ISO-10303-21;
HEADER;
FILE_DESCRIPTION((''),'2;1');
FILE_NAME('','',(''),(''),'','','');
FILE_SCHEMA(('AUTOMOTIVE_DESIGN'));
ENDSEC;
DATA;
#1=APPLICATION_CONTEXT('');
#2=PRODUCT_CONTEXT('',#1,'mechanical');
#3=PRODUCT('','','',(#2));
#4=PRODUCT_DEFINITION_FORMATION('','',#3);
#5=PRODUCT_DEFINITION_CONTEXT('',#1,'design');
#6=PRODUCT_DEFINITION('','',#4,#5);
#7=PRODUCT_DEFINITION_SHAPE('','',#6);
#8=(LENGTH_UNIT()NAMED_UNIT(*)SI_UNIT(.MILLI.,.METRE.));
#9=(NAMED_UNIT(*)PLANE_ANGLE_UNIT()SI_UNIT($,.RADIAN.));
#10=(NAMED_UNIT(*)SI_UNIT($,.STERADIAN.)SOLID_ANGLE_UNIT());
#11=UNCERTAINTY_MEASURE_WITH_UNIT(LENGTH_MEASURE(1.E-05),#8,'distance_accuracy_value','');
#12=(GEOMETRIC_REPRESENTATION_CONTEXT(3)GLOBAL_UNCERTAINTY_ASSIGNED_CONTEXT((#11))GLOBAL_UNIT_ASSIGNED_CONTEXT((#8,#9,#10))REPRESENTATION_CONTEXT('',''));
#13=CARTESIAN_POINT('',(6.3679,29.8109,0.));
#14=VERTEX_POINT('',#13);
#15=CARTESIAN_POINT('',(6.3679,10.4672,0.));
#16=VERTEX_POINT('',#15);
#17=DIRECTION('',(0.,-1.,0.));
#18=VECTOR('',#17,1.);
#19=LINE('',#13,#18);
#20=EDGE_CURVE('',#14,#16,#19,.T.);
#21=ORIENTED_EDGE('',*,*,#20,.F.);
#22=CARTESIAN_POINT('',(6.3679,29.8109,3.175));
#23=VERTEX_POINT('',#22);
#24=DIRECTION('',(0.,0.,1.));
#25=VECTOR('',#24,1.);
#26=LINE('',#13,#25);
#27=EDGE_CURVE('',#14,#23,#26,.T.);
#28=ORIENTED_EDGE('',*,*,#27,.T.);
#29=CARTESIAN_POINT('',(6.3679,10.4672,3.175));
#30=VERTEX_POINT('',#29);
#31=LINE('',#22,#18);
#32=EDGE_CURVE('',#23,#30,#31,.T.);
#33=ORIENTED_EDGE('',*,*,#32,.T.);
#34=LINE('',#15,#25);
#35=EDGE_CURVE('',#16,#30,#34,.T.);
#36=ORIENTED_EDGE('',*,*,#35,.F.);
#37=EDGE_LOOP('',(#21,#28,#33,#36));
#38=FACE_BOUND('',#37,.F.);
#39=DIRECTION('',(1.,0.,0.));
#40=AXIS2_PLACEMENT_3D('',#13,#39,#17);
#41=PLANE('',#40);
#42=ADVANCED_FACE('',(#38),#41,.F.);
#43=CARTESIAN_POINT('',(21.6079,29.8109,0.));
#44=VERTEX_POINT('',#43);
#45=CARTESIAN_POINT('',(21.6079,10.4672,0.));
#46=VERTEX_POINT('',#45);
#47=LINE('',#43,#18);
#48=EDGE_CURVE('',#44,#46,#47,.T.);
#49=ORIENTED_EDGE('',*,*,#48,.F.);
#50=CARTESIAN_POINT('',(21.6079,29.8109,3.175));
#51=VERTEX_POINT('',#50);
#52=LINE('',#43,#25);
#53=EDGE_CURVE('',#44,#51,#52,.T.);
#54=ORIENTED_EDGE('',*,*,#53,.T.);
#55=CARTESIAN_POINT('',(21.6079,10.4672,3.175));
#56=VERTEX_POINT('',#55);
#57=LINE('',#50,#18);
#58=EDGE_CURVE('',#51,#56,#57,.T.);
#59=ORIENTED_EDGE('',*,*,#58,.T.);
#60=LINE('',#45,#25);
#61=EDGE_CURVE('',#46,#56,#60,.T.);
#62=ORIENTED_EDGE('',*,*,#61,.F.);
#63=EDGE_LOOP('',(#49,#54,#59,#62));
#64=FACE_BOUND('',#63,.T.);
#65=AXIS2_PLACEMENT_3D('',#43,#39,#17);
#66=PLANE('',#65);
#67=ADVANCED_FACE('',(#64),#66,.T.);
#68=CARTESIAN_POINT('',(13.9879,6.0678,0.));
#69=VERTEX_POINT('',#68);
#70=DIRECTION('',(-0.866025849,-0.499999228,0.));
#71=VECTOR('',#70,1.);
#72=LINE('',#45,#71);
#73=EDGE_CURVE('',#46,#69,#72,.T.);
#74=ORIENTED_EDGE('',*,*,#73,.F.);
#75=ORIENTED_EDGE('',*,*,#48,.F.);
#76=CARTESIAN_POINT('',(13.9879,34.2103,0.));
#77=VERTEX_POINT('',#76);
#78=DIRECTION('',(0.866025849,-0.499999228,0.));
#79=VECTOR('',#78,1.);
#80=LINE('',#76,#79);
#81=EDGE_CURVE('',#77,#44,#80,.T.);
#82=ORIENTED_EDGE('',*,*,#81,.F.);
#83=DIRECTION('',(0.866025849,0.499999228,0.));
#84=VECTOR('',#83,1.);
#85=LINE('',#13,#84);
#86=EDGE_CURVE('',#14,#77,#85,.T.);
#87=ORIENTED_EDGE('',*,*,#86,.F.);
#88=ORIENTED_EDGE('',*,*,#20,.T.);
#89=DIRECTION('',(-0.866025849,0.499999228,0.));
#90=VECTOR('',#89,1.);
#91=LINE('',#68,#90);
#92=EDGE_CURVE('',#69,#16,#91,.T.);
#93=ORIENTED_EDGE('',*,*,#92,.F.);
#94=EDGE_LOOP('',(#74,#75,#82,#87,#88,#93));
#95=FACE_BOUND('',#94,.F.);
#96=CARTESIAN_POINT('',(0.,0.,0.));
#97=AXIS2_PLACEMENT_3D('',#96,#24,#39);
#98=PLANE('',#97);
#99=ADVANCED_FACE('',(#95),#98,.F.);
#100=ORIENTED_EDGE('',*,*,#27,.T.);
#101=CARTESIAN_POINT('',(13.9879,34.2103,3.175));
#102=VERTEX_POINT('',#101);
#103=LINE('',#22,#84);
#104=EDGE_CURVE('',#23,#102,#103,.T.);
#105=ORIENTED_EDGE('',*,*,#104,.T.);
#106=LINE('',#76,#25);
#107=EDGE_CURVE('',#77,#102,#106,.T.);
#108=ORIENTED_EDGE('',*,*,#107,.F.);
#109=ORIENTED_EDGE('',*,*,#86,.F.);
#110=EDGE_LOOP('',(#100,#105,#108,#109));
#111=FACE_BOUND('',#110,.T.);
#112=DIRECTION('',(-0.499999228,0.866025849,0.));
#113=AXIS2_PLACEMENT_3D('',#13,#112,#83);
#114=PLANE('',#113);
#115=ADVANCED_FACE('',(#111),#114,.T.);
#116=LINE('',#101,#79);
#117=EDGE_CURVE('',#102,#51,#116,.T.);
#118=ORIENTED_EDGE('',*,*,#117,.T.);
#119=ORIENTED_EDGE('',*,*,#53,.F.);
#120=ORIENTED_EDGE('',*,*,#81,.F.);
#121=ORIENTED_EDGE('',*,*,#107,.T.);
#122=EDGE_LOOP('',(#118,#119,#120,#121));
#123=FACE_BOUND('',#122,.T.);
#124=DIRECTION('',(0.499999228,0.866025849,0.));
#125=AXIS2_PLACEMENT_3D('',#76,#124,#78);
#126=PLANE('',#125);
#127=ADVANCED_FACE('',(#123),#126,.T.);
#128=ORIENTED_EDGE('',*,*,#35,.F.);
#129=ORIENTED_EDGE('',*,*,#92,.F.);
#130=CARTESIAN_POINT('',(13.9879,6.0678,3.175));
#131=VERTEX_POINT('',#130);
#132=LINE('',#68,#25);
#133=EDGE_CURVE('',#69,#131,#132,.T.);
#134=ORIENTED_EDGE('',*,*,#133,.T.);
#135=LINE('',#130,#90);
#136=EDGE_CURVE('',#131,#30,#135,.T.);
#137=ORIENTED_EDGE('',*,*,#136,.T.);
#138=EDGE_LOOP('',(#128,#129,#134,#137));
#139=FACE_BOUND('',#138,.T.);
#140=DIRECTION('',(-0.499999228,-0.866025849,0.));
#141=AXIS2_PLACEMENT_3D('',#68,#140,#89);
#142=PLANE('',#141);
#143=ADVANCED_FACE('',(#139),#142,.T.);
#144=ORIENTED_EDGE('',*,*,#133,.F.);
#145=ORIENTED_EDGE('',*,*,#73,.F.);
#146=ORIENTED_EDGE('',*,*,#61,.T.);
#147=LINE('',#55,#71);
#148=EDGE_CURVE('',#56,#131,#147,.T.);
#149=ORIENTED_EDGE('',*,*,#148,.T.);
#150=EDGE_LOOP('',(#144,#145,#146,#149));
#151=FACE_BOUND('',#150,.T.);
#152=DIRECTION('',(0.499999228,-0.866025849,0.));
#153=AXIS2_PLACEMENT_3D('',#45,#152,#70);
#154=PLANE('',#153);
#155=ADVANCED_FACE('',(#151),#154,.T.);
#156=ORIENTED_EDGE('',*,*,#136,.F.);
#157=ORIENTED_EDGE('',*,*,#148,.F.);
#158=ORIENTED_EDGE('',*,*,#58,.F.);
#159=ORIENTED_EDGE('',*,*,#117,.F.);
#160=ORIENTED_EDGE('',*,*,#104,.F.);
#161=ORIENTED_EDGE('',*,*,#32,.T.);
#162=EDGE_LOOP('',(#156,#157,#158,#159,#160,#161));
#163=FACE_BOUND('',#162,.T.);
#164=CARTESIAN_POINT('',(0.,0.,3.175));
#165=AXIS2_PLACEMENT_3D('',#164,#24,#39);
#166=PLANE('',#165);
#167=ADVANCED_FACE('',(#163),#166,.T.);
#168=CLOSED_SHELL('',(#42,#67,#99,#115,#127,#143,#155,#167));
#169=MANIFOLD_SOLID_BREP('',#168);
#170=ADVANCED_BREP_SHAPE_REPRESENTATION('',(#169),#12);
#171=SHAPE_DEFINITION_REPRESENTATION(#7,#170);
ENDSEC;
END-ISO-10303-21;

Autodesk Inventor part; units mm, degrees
ref_plane "YZ Plane" through (0, 0, 0) normal (1, 0, 0) x (0, 1, 0)
ref_plane "XZ Plane" through (0, 0, 0) normal (0, 1, 0) x (-1, 0, 0)
ref_plane "XY Plane" through (0, 0, 0) normal (0, 0, 1) x (1, 0, 0)
sketch "Sketch1" plane through (0, 0, 0) normal (0, 0, 1) x (1, 0, 0)
  line L0 (21.6079, 10.4672) -> (13.9879, 6.0678)
  line L1 (13.9879, 6.0678) -> (6.3679, 10.4672)
  line L2 (6.3679, 29.8109) -> (13.9879, 34.2103)
  line L3 (13.9879, 34.2103) -> (21.6079, 29.8109)
  line L4 (6.3679, 29.8109) -> (6.3679, 10.4672)
  line L5 (21.6079, 29.8109) -> (21.6079, 10.4672)
  point P0 (0, 0)
  point P1 (13.9879, 20.1391)
  dimension "d2" = 28.1426
  dimension "d3" = 15.24
extrude "Extrusion1" add sketch "Sketch1" along normal blind 3.175
sketch "Sketch2" plane through (0, 0, 3.175) normal (0, 0, 1) x (1, 0, 0)
  line L0 (7.1627, 16.7783) -> (25.4618, 16.7783) construction
  line L1 (25.4618, 16.7783) -> (25.4618, 11.2346) construction
  line L2 (25.4618, 11.2346) -> (7.1627, 11.2346) construction
  line L3 (7.1627, 11.2346) -> (7.1627, 16.7783) construction
  point P0 (0, 0)
properties part number "Academies logo"
